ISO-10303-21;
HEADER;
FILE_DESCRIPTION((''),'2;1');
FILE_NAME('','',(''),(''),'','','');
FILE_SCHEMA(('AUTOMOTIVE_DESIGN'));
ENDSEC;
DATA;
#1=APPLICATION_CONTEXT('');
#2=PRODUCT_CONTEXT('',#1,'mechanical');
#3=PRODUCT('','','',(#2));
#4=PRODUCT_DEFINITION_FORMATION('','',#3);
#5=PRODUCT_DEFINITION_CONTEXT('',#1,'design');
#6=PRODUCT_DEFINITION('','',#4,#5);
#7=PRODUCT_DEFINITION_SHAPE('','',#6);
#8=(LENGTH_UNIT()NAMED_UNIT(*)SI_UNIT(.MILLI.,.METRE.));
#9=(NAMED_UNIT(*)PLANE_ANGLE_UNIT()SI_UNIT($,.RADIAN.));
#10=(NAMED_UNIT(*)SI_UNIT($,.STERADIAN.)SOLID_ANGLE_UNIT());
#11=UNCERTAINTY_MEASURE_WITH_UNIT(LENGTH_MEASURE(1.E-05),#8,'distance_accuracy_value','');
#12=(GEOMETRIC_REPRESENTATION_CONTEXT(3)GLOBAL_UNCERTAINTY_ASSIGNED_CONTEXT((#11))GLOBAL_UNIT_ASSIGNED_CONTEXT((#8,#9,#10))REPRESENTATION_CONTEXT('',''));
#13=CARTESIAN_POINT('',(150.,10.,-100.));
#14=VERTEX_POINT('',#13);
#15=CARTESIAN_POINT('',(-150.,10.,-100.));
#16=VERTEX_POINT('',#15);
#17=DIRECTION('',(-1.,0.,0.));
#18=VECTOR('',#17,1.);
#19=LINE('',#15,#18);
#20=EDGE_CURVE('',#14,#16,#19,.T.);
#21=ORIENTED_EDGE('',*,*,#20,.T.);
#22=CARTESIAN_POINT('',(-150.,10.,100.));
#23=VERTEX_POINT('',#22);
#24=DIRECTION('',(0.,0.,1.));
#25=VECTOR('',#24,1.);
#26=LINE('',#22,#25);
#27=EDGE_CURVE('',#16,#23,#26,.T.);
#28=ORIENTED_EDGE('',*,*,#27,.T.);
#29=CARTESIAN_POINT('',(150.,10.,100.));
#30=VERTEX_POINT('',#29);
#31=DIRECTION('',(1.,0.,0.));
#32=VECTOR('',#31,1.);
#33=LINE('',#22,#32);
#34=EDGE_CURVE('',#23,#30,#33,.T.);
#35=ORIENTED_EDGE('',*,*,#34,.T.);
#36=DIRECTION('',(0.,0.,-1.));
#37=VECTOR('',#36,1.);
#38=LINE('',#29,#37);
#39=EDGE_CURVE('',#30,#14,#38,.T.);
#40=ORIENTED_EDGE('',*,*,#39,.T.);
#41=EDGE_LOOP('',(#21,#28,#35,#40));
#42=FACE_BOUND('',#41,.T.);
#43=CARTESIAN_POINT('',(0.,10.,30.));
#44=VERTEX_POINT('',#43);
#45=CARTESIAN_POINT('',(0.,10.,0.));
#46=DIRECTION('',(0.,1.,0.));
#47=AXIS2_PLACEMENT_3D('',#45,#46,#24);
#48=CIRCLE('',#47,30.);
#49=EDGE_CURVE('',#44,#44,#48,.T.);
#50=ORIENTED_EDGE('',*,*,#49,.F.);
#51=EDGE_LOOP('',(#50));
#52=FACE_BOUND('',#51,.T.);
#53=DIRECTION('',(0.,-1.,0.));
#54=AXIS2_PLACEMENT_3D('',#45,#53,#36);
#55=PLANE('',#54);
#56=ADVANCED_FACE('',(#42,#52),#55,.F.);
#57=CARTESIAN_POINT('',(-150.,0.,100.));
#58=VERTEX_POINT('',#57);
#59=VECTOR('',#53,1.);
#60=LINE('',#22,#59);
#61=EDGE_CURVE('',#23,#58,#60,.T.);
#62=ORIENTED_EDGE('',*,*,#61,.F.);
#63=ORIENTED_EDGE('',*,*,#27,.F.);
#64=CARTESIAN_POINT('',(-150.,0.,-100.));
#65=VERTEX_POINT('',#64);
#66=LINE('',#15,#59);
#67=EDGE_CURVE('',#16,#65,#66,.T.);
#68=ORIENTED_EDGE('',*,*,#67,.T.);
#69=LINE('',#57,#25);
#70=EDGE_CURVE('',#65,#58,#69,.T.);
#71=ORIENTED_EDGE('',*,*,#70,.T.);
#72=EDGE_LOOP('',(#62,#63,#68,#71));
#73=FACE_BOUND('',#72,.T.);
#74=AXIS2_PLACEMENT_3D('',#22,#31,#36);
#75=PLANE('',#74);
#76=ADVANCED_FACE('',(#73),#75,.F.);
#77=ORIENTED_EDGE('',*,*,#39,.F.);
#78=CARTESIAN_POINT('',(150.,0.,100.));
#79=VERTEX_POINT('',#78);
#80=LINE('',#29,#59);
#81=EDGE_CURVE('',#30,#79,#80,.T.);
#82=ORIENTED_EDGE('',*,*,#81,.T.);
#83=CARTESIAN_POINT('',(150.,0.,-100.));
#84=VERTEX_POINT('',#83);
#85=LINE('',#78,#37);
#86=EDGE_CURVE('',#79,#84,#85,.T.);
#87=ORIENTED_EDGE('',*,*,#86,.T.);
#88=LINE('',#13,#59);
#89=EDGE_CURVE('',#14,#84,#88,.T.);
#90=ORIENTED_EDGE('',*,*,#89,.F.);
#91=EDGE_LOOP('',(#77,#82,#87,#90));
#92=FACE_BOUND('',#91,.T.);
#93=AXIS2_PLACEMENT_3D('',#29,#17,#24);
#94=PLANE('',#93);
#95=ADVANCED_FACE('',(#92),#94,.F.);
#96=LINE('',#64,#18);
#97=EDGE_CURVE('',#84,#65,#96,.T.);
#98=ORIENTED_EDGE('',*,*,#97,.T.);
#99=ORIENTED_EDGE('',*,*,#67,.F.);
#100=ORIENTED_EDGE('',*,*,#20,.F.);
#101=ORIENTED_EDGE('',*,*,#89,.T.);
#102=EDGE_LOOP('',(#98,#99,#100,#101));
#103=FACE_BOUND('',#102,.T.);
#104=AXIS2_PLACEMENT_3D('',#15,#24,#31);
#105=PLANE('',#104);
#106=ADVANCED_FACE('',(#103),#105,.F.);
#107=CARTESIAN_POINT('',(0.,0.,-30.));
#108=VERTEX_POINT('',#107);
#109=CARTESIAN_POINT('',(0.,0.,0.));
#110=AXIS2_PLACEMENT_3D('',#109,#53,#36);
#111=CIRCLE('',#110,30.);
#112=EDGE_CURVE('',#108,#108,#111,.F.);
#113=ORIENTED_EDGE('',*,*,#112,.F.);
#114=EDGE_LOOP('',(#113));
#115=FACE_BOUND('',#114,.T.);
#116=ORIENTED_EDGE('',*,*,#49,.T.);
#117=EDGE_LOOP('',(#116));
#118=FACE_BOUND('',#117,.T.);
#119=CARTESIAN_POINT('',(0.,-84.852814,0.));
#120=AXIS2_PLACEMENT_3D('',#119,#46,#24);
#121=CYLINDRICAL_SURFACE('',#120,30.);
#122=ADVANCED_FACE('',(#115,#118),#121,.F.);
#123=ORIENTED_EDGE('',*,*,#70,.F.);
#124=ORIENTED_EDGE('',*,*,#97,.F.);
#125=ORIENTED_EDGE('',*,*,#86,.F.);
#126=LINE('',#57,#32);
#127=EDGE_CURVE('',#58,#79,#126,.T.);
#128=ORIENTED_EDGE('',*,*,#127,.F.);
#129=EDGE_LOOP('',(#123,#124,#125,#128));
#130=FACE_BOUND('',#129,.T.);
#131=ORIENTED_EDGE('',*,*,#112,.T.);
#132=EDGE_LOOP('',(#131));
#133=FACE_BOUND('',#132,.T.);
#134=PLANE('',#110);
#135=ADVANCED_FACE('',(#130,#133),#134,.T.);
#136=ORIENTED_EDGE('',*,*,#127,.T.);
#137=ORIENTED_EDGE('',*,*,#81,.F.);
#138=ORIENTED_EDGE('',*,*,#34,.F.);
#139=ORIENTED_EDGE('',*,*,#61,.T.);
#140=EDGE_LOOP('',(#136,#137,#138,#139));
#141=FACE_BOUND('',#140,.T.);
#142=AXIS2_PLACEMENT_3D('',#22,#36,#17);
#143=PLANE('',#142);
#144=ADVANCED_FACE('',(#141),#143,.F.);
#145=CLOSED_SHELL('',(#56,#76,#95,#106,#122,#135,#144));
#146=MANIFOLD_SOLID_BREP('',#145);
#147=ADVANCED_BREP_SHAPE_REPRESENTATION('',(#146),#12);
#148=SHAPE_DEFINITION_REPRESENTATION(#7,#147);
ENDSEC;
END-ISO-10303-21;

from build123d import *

# Parameters (mm, degrees)
CROQUIS1_W              = 300
CROQUIS1_H              = 200
SALIENTE_EXTRUIR1_DEPTH = 10
CROQUIS2_R              = 30
CORTAR_EXTRUIR1_DEPTH   = 10


with BuildPart() as part:
    # Croquis1 → Saliente-Extruir1 (new body)
    with BuildSketch(Plane(origin=(0, 0, 0), x_dir=(1, 0, 0), z_dir=(0, 1, 0))):
        Rectangle(CROQUIS1_W, CROQUIS1_H)
    extrude(amount=SALIENTE_EXTRUIR1_DEPTH)

    # Croquis2 → Cortar-Extruir1 (cut)
    with BuildSketch(Plane(origin=(0, 10, 0), x_dir=(1, 0, 0), z_dir=(0, 1, 0))):
        with Locations(Location((0, 0, 0), (0, 0, 270))):
            Circle(CROQUIS2_R)
    extrude(amount=-CORTAR_EXTRUIR1_DEPTH, mode=Mode.SUBTRACT)


solid = part.part
